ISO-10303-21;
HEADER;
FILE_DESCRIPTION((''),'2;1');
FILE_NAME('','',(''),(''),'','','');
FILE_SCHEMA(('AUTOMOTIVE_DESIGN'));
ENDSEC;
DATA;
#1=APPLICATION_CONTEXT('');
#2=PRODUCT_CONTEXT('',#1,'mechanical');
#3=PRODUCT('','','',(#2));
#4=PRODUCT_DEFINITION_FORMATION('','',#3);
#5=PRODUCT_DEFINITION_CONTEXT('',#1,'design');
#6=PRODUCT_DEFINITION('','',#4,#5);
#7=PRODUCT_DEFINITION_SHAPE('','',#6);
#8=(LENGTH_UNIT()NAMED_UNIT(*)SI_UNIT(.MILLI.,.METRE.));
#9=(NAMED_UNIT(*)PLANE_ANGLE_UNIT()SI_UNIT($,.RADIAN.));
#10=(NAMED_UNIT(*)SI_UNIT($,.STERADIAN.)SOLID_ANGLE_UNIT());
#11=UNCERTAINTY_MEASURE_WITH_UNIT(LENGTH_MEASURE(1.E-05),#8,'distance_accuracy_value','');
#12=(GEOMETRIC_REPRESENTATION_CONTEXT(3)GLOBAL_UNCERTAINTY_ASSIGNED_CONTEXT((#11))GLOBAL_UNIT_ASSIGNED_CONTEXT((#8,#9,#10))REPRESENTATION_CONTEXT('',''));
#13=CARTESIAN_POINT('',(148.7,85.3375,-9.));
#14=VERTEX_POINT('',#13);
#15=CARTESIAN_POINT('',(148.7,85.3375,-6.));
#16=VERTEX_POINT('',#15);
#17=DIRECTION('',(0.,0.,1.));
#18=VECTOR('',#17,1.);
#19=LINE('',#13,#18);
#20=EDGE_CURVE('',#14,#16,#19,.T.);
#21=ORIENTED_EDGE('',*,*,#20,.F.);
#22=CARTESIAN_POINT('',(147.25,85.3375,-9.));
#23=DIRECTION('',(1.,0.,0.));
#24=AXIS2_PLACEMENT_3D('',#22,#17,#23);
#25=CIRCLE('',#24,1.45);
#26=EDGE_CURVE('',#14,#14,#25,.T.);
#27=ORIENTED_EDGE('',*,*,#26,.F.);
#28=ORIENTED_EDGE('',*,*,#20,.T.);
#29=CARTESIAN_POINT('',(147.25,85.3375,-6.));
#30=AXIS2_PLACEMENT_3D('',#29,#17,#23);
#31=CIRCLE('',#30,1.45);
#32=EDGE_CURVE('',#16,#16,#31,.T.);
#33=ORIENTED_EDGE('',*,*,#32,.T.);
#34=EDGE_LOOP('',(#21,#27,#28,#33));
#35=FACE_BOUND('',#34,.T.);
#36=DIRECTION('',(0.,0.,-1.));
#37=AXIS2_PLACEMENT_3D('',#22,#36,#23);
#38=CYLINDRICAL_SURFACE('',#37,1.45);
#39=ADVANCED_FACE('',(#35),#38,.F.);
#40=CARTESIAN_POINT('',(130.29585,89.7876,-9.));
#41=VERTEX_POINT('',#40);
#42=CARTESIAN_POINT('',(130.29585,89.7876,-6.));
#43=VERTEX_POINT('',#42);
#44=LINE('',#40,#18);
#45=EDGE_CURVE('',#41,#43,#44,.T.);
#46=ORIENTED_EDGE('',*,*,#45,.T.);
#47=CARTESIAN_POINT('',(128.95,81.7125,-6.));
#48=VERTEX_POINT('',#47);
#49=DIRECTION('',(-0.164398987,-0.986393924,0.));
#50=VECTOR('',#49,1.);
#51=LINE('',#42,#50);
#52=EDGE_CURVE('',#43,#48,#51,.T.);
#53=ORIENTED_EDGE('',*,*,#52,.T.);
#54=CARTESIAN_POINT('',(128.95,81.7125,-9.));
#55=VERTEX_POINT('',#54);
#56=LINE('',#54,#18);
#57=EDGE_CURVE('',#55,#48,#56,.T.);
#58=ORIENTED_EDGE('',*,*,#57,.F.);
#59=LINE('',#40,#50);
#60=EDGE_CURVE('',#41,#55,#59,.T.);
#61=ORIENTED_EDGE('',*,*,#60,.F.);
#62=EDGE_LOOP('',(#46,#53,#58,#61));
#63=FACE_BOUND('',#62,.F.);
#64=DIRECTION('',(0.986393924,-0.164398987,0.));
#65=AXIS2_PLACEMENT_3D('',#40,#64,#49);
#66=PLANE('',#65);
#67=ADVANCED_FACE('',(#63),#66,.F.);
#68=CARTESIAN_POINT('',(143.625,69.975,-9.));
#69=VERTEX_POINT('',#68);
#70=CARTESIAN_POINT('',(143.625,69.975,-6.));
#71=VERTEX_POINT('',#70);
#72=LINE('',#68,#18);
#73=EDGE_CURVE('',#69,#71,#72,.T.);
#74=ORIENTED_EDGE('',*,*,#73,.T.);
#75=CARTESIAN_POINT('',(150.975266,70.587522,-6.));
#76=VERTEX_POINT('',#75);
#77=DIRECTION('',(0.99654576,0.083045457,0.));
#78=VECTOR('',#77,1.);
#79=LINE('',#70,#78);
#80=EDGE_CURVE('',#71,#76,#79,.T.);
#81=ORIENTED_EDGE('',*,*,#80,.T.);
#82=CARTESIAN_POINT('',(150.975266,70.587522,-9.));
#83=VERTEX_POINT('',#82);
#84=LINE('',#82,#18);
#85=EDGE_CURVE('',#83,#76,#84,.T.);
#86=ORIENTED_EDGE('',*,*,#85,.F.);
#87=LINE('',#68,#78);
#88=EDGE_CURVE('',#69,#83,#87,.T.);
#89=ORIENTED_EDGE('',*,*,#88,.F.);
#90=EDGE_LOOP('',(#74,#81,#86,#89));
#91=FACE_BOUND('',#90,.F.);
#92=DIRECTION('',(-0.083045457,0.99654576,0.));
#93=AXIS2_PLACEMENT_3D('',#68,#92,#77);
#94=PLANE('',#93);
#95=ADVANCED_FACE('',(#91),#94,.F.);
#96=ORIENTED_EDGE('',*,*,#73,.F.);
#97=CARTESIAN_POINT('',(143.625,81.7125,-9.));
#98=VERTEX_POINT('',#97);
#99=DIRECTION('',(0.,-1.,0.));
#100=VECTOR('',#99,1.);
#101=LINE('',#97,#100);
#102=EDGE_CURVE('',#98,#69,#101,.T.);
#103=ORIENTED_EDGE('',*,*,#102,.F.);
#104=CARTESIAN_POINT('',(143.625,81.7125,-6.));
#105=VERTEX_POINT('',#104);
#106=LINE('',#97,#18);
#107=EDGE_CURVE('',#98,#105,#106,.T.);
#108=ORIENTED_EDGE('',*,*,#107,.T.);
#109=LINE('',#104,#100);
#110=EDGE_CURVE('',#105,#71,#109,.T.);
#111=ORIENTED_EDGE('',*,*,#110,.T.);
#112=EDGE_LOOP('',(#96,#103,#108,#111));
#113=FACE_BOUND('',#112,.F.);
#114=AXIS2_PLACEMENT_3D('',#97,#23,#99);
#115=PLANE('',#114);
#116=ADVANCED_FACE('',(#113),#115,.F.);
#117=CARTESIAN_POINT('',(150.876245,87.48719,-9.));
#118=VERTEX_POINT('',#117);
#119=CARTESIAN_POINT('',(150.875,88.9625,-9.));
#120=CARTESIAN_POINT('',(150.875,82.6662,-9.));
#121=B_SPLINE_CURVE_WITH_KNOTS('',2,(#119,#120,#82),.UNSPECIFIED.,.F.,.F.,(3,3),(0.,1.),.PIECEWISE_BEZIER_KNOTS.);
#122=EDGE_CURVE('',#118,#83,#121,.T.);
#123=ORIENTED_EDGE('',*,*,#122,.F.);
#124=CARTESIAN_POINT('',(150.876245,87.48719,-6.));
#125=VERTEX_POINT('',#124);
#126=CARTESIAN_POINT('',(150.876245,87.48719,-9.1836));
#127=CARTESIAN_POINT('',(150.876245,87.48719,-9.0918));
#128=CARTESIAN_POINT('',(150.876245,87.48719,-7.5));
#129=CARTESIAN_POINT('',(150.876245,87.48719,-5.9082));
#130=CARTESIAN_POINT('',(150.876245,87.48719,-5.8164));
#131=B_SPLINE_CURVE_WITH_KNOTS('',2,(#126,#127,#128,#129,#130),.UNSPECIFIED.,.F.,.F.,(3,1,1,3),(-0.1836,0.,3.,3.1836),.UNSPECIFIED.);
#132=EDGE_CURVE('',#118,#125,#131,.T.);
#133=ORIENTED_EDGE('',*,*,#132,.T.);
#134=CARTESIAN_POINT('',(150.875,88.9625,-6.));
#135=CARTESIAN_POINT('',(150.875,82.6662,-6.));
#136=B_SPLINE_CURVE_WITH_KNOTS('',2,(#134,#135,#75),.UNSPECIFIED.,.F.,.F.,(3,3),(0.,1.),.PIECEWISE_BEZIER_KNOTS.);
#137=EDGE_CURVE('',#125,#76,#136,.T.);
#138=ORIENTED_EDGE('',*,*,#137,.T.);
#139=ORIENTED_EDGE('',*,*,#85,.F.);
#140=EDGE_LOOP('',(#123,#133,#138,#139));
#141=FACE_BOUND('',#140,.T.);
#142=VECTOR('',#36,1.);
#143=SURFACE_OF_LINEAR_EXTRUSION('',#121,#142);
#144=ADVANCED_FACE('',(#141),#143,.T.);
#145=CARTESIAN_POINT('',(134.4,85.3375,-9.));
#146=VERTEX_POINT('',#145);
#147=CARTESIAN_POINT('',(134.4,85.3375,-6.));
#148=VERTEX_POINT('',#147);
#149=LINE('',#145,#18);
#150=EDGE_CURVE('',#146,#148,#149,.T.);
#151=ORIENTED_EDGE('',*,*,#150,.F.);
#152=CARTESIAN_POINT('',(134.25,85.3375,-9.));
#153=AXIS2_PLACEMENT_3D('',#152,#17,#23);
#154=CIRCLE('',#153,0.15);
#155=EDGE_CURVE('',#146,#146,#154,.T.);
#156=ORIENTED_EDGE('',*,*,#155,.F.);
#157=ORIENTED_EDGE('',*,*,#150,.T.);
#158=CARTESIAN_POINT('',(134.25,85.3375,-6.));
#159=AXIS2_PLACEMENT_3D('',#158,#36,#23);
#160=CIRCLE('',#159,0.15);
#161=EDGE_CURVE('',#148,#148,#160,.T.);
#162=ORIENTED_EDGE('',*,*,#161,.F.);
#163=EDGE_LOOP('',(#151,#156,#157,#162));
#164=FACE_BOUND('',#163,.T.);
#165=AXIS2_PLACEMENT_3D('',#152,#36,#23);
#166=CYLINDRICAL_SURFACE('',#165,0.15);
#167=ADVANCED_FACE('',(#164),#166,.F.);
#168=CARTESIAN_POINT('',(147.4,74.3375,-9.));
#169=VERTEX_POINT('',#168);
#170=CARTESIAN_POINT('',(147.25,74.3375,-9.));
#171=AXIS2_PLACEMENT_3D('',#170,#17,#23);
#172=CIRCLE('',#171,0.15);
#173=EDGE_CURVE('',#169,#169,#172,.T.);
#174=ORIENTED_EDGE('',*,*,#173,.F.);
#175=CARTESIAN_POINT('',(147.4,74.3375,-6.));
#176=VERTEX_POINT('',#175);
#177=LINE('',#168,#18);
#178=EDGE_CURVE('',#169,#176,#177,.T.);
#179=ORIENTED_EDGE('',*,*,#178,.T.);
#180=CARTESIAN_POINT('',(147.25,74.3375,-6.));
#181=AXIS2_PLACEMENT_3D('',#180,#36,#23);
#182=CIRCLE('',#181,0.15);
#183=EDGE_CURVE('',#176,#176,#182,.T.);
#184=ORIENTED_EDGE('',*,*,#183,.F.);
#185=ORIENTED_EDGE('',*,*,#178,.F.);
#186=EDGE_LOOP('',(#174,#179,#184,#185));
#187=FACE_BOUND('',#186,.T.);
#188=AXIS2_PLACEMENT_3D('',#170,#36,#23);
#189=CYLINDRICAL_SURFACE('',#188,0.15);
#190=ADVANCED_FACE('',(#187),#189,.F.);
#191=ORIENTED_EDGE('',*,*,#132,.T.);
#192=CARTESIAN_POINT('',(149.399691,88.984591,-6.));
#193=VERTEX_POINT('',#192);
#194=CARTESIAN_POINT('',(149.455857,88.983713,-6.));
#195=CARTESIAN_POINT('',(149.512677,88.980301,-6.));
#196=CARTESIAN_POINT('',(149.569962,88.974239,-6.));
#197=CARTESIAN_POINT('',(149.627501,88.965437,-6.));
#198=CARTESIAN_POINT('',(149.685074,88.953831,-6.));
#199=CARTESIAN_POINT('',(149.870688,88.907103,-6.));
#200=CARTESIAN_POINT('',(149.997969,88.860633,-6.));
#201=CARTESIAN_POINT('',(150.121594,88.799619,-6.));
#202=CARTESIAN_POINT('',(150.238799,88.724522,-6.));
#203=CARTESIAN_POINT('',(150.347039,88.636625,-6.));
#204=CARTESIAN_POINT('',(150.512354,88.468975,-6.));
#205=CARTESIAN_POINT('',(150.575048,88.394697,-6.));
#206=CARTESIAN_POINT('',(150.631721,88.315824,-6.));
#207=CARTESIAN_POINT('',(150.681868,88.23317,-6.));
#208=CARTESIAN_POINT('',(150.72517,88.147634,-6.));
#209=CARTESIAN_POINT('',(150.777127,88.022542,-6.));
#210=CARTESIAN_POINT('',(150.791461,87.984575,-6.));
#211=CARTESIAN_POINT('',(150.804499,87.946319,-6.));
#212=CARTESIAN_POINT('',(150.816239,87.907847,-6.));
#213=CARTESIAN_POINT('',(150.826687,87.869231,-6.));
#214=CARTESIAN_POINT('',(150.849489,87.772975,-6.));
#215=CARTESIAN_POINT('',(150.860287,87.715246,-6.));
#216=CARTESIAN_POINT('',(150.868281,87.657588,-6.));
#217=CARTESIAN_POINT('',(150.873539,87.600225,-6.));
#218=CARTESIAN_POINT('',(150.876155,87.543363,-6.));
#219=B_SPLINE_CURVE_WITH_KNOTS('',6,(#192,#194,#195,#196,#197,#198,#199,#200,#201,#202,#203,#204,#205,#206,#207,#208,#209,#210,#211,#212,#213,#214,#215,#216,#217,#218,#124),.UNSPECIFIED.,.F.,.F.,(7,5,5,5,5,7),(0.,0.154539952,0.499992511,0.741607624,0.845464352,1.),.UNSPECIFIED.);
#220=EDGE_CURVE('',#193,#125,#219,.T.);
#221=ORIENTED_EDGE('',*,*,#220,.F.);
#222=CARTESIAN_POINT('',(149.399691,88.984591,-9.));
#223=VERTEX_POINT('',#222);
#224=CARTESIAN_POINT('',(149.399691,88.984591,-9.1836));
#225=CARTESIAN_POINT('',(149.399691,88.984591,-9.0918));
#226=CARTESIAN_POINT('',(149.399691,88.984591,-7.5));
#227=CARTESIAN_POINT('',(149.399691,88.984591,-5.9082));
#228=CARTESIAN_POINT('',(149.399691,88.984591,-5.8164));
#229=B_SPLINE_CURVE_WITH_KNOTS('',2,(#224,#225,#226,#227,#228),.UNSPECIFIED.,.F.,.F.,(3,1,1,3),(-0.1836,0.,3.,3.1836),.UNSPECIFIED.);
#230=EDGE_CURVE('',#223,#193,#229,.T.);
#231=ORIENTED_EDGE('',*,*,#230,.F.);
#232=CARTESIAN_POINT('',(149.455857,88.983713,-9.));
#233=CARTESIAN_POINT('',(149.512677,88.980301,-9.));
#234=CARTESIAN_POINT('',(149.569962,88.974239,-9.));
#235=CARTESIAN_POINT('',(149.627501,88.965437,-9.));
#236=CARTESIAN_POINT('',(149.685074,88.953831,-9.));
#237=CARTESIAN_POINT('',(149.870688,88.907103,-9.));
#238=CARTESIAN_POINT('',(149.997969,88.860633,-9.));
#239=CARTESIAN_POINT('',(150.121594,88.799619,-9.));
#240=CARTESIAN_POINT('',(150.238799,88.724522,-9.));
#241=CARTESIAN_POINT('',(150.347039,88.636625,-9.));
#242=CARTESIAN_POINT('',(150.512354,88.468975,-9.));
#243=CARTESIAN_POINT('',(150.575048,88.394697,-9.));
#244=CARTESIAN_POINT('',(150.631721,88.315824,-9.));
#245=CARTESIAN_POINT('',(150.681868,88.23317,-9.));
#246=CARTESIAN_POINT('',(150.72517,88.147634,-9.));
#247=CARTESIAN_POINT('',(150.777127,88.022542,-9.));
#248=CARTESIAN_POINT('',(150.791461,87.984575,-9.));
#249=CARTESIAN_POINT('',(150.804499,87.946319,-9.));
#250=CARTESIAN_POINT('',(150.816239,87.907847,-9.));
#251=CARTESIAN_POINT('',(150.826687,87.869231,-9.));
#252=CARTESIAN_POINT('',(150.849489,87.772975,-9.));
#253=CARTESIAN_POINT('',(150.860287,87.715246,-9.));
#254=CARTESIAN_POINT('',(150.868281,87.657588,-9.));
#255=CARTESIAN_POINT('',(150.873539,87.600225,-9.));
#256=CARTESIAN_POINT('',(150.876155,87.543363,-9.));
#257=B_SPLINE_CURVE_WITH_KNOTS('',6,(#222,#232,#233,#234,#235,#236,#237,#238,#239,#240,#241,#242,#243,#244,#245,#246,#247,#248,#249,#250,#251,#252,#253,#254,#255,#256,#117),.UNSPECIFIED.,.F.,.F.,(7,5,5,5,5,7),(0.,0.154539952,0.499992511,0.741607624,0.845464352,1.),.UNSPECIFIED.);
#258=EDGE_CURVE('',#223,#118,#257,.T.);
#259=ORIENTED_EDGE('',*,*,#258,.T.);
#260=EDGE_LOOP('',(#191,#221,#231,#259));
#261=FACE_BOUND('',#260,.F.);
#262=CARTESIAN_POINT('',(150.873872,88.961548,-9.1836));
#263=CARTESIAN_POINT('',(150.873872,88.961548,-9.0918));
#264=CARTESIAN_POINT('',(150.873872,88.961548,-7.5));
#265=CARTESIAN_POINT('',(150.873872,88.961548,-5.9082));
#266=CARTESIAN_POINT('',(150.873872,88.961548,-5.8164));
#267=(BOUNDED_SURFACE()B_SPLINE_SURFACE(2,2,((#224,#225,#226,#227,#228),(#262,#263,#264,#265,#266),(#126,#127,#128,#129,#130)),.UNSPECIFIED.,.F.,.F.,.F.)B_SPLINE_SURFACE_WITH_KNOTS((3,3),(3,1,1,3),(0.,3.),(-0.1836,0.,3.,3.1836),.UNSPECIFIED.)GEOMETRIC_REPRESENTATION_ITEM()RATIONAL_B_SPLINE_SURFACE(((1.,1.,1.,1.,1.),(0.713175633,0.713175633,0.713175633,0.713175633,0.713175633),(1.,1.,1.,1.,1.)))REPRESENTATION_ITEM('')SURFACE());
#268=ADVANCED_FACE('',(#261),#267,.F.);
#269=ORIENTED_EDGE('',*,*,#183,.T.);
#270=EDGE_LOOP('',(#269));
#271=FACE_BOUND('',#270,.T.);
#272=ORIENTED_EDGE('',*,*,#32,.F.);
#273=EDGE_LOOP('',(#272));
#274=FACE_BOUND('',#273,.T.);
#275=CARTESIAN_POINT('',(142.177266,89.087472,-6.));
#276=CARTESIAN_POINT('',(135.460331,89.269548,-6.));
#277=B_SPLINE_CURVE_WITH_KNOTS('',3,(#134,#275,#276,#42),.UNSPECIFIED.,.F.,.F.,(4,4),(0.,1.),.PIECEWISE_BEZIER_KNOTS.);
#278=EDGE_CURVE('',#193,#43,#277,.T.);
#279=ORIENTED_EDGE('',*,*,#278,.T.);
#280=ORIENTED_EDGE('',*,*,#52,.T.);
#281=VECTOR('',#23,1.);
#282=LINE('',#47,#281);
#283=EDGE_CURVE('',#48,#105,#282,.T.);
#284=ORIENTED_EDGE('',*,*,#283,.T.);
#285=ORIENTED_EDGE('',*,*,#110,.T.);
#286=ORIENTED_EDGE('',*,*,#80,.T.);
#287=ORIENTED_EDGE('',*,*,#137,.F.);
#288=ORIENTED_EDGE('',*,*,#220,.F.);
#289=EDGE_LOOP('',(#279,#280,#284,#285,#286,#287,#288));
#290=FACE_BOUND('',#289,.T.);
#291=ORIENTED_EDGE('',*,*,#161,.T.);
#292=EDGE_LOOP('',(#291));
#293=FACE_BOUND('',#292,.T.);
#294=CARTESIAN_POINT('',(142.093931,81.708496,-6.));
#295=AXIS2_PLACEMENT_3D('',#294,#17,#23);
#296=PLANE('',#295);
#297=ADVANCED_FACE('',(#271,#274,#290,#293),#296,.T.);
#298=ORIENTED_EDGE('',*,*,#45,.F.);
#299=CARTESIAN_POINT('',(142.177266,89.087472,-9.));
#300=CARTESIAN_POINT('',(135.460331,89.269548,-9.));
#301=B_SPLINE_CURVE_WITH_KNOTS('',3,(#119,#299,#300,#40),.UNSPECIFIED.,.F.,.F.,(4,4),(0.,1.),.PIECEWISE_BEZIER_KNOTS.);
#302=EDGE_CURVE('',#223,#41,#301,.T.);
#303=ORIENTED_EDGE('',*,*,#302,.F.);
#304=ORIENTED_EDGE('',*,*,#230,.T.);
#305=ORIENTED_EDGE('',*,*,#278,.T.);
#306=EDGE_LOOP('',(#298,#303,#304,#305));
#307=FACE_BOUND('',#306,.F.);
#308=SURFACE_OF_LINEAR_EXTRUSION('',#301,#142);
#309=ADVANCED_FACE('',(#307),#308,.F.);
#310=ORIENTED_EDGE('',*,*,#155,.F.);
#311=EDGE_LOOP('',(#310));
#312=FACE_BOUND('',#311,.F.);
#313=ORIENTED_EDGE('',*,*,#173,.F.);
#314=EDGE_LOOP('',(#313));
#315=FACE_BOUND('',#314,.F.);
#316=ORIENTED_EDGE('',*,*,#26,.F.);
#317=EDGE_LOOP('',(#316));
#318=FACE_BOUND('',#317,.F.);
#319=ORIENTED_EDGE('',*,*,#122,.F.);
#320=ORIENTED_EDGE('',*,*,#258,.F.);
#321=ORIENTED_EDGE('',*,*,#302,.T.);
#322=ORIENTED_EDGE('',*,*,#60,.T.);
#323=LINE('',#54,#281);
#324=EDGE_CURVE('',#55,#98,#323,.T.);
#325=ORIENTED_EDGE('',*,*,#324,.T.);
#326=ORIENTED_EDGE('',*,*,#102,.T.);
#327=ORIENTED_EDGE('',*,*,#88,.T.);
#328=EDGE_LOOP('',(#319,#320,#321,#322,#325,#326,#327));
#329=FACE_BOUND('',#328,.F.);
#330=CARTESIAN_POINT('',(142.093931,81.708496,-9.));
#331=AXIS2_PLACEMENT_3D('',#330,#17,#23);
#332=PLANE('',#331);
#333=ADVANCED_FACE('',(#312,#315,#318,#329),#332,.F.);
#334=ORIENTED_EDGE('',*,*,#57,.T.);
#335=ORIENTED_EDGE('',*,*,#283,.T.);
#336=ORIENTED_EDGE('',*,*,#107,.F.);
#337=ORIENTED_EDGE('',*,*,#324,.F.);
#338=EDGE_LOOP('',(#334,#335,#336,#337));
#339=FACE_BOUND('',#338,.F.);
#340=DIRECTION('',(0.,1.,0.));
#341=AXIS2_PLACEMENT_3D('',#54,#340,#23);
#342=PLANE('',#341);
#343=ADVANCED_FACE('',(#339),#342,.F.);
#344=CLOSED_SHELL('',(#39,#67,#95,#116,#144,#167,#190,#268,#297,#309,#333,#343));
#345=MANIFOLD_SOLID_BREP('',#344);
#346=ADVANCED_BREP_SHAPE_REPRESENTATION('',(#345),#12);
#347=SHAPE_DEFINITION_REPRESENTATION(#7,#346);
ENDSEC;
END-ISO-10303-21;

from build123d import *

# Parameters (mm, degrees)
SKETCH056_R     = 1.45
PAD015_DEPTH    = 3
SKETCH061_R     = 0.15
POCKET027_DEPTH = 23
FILLET013_R     = 1.5


with BuildPart() as part:
    # Sketch056 → Pad015 (new body)
    with BuildSketch(Plane.XY):
        with BuildLine():
            add(Edge.make_bspline(
                [(150.875, 88.9625), (142.177266, 89.087472), (135.460331, 89.269548), (130.29585, 89.7876)],
                knots=[0, 0, 0, 0, 1, 1, 1, 1], degree=3))
            Line((130.29585, 89.7876), (128.95, 81.7125))
            Line((128.95, 81.7125), (143.625, 81.7125))
            Line((143.625, 81.7125), (143.625, 69.975))
            Line((143.625, 69.975), (150.975266, 70.587522))
            add(Edge.make_bspline(
                [(150.875, 88.9625), (150.875, 82.6662), (150.975266, 70.587522)],
                knots=[0, 0, 0, 1, 1, 1], degree=2))
        make_face()
        with Locations((147.25, 85.3375)):
            Circle(SKETCH056_R, mode=Mode.SUBTRACT)
    extrude(amount=PAD015_DEPTH)

    # Sketch061 → Pocket027 (cut)
    with BuildSketch(Plane.XY):
        with Locations((134.25, 85.3375)):
            Circle(SKETCH061_R)
        with Locations((147.25, 74.3375)):
            Circle(SKETCH061_R)
    extrude(amount=POCKET027_DEPTH, mode=Mode.SUBTRACT)

    # Fillet013
    fillet013_edges = [part.edges().sort_by_distance(p)[0] for p in [
        (150.875, 88.9625, 1.5),
    ]]
    fillet(fillet013_edges, radius=FILLET013_R)


with BuildPart() as part_1:
    # Body014 placement: moved
    add(part.part.moved(Location((0, 0, -9))))


solid = part_1.part
